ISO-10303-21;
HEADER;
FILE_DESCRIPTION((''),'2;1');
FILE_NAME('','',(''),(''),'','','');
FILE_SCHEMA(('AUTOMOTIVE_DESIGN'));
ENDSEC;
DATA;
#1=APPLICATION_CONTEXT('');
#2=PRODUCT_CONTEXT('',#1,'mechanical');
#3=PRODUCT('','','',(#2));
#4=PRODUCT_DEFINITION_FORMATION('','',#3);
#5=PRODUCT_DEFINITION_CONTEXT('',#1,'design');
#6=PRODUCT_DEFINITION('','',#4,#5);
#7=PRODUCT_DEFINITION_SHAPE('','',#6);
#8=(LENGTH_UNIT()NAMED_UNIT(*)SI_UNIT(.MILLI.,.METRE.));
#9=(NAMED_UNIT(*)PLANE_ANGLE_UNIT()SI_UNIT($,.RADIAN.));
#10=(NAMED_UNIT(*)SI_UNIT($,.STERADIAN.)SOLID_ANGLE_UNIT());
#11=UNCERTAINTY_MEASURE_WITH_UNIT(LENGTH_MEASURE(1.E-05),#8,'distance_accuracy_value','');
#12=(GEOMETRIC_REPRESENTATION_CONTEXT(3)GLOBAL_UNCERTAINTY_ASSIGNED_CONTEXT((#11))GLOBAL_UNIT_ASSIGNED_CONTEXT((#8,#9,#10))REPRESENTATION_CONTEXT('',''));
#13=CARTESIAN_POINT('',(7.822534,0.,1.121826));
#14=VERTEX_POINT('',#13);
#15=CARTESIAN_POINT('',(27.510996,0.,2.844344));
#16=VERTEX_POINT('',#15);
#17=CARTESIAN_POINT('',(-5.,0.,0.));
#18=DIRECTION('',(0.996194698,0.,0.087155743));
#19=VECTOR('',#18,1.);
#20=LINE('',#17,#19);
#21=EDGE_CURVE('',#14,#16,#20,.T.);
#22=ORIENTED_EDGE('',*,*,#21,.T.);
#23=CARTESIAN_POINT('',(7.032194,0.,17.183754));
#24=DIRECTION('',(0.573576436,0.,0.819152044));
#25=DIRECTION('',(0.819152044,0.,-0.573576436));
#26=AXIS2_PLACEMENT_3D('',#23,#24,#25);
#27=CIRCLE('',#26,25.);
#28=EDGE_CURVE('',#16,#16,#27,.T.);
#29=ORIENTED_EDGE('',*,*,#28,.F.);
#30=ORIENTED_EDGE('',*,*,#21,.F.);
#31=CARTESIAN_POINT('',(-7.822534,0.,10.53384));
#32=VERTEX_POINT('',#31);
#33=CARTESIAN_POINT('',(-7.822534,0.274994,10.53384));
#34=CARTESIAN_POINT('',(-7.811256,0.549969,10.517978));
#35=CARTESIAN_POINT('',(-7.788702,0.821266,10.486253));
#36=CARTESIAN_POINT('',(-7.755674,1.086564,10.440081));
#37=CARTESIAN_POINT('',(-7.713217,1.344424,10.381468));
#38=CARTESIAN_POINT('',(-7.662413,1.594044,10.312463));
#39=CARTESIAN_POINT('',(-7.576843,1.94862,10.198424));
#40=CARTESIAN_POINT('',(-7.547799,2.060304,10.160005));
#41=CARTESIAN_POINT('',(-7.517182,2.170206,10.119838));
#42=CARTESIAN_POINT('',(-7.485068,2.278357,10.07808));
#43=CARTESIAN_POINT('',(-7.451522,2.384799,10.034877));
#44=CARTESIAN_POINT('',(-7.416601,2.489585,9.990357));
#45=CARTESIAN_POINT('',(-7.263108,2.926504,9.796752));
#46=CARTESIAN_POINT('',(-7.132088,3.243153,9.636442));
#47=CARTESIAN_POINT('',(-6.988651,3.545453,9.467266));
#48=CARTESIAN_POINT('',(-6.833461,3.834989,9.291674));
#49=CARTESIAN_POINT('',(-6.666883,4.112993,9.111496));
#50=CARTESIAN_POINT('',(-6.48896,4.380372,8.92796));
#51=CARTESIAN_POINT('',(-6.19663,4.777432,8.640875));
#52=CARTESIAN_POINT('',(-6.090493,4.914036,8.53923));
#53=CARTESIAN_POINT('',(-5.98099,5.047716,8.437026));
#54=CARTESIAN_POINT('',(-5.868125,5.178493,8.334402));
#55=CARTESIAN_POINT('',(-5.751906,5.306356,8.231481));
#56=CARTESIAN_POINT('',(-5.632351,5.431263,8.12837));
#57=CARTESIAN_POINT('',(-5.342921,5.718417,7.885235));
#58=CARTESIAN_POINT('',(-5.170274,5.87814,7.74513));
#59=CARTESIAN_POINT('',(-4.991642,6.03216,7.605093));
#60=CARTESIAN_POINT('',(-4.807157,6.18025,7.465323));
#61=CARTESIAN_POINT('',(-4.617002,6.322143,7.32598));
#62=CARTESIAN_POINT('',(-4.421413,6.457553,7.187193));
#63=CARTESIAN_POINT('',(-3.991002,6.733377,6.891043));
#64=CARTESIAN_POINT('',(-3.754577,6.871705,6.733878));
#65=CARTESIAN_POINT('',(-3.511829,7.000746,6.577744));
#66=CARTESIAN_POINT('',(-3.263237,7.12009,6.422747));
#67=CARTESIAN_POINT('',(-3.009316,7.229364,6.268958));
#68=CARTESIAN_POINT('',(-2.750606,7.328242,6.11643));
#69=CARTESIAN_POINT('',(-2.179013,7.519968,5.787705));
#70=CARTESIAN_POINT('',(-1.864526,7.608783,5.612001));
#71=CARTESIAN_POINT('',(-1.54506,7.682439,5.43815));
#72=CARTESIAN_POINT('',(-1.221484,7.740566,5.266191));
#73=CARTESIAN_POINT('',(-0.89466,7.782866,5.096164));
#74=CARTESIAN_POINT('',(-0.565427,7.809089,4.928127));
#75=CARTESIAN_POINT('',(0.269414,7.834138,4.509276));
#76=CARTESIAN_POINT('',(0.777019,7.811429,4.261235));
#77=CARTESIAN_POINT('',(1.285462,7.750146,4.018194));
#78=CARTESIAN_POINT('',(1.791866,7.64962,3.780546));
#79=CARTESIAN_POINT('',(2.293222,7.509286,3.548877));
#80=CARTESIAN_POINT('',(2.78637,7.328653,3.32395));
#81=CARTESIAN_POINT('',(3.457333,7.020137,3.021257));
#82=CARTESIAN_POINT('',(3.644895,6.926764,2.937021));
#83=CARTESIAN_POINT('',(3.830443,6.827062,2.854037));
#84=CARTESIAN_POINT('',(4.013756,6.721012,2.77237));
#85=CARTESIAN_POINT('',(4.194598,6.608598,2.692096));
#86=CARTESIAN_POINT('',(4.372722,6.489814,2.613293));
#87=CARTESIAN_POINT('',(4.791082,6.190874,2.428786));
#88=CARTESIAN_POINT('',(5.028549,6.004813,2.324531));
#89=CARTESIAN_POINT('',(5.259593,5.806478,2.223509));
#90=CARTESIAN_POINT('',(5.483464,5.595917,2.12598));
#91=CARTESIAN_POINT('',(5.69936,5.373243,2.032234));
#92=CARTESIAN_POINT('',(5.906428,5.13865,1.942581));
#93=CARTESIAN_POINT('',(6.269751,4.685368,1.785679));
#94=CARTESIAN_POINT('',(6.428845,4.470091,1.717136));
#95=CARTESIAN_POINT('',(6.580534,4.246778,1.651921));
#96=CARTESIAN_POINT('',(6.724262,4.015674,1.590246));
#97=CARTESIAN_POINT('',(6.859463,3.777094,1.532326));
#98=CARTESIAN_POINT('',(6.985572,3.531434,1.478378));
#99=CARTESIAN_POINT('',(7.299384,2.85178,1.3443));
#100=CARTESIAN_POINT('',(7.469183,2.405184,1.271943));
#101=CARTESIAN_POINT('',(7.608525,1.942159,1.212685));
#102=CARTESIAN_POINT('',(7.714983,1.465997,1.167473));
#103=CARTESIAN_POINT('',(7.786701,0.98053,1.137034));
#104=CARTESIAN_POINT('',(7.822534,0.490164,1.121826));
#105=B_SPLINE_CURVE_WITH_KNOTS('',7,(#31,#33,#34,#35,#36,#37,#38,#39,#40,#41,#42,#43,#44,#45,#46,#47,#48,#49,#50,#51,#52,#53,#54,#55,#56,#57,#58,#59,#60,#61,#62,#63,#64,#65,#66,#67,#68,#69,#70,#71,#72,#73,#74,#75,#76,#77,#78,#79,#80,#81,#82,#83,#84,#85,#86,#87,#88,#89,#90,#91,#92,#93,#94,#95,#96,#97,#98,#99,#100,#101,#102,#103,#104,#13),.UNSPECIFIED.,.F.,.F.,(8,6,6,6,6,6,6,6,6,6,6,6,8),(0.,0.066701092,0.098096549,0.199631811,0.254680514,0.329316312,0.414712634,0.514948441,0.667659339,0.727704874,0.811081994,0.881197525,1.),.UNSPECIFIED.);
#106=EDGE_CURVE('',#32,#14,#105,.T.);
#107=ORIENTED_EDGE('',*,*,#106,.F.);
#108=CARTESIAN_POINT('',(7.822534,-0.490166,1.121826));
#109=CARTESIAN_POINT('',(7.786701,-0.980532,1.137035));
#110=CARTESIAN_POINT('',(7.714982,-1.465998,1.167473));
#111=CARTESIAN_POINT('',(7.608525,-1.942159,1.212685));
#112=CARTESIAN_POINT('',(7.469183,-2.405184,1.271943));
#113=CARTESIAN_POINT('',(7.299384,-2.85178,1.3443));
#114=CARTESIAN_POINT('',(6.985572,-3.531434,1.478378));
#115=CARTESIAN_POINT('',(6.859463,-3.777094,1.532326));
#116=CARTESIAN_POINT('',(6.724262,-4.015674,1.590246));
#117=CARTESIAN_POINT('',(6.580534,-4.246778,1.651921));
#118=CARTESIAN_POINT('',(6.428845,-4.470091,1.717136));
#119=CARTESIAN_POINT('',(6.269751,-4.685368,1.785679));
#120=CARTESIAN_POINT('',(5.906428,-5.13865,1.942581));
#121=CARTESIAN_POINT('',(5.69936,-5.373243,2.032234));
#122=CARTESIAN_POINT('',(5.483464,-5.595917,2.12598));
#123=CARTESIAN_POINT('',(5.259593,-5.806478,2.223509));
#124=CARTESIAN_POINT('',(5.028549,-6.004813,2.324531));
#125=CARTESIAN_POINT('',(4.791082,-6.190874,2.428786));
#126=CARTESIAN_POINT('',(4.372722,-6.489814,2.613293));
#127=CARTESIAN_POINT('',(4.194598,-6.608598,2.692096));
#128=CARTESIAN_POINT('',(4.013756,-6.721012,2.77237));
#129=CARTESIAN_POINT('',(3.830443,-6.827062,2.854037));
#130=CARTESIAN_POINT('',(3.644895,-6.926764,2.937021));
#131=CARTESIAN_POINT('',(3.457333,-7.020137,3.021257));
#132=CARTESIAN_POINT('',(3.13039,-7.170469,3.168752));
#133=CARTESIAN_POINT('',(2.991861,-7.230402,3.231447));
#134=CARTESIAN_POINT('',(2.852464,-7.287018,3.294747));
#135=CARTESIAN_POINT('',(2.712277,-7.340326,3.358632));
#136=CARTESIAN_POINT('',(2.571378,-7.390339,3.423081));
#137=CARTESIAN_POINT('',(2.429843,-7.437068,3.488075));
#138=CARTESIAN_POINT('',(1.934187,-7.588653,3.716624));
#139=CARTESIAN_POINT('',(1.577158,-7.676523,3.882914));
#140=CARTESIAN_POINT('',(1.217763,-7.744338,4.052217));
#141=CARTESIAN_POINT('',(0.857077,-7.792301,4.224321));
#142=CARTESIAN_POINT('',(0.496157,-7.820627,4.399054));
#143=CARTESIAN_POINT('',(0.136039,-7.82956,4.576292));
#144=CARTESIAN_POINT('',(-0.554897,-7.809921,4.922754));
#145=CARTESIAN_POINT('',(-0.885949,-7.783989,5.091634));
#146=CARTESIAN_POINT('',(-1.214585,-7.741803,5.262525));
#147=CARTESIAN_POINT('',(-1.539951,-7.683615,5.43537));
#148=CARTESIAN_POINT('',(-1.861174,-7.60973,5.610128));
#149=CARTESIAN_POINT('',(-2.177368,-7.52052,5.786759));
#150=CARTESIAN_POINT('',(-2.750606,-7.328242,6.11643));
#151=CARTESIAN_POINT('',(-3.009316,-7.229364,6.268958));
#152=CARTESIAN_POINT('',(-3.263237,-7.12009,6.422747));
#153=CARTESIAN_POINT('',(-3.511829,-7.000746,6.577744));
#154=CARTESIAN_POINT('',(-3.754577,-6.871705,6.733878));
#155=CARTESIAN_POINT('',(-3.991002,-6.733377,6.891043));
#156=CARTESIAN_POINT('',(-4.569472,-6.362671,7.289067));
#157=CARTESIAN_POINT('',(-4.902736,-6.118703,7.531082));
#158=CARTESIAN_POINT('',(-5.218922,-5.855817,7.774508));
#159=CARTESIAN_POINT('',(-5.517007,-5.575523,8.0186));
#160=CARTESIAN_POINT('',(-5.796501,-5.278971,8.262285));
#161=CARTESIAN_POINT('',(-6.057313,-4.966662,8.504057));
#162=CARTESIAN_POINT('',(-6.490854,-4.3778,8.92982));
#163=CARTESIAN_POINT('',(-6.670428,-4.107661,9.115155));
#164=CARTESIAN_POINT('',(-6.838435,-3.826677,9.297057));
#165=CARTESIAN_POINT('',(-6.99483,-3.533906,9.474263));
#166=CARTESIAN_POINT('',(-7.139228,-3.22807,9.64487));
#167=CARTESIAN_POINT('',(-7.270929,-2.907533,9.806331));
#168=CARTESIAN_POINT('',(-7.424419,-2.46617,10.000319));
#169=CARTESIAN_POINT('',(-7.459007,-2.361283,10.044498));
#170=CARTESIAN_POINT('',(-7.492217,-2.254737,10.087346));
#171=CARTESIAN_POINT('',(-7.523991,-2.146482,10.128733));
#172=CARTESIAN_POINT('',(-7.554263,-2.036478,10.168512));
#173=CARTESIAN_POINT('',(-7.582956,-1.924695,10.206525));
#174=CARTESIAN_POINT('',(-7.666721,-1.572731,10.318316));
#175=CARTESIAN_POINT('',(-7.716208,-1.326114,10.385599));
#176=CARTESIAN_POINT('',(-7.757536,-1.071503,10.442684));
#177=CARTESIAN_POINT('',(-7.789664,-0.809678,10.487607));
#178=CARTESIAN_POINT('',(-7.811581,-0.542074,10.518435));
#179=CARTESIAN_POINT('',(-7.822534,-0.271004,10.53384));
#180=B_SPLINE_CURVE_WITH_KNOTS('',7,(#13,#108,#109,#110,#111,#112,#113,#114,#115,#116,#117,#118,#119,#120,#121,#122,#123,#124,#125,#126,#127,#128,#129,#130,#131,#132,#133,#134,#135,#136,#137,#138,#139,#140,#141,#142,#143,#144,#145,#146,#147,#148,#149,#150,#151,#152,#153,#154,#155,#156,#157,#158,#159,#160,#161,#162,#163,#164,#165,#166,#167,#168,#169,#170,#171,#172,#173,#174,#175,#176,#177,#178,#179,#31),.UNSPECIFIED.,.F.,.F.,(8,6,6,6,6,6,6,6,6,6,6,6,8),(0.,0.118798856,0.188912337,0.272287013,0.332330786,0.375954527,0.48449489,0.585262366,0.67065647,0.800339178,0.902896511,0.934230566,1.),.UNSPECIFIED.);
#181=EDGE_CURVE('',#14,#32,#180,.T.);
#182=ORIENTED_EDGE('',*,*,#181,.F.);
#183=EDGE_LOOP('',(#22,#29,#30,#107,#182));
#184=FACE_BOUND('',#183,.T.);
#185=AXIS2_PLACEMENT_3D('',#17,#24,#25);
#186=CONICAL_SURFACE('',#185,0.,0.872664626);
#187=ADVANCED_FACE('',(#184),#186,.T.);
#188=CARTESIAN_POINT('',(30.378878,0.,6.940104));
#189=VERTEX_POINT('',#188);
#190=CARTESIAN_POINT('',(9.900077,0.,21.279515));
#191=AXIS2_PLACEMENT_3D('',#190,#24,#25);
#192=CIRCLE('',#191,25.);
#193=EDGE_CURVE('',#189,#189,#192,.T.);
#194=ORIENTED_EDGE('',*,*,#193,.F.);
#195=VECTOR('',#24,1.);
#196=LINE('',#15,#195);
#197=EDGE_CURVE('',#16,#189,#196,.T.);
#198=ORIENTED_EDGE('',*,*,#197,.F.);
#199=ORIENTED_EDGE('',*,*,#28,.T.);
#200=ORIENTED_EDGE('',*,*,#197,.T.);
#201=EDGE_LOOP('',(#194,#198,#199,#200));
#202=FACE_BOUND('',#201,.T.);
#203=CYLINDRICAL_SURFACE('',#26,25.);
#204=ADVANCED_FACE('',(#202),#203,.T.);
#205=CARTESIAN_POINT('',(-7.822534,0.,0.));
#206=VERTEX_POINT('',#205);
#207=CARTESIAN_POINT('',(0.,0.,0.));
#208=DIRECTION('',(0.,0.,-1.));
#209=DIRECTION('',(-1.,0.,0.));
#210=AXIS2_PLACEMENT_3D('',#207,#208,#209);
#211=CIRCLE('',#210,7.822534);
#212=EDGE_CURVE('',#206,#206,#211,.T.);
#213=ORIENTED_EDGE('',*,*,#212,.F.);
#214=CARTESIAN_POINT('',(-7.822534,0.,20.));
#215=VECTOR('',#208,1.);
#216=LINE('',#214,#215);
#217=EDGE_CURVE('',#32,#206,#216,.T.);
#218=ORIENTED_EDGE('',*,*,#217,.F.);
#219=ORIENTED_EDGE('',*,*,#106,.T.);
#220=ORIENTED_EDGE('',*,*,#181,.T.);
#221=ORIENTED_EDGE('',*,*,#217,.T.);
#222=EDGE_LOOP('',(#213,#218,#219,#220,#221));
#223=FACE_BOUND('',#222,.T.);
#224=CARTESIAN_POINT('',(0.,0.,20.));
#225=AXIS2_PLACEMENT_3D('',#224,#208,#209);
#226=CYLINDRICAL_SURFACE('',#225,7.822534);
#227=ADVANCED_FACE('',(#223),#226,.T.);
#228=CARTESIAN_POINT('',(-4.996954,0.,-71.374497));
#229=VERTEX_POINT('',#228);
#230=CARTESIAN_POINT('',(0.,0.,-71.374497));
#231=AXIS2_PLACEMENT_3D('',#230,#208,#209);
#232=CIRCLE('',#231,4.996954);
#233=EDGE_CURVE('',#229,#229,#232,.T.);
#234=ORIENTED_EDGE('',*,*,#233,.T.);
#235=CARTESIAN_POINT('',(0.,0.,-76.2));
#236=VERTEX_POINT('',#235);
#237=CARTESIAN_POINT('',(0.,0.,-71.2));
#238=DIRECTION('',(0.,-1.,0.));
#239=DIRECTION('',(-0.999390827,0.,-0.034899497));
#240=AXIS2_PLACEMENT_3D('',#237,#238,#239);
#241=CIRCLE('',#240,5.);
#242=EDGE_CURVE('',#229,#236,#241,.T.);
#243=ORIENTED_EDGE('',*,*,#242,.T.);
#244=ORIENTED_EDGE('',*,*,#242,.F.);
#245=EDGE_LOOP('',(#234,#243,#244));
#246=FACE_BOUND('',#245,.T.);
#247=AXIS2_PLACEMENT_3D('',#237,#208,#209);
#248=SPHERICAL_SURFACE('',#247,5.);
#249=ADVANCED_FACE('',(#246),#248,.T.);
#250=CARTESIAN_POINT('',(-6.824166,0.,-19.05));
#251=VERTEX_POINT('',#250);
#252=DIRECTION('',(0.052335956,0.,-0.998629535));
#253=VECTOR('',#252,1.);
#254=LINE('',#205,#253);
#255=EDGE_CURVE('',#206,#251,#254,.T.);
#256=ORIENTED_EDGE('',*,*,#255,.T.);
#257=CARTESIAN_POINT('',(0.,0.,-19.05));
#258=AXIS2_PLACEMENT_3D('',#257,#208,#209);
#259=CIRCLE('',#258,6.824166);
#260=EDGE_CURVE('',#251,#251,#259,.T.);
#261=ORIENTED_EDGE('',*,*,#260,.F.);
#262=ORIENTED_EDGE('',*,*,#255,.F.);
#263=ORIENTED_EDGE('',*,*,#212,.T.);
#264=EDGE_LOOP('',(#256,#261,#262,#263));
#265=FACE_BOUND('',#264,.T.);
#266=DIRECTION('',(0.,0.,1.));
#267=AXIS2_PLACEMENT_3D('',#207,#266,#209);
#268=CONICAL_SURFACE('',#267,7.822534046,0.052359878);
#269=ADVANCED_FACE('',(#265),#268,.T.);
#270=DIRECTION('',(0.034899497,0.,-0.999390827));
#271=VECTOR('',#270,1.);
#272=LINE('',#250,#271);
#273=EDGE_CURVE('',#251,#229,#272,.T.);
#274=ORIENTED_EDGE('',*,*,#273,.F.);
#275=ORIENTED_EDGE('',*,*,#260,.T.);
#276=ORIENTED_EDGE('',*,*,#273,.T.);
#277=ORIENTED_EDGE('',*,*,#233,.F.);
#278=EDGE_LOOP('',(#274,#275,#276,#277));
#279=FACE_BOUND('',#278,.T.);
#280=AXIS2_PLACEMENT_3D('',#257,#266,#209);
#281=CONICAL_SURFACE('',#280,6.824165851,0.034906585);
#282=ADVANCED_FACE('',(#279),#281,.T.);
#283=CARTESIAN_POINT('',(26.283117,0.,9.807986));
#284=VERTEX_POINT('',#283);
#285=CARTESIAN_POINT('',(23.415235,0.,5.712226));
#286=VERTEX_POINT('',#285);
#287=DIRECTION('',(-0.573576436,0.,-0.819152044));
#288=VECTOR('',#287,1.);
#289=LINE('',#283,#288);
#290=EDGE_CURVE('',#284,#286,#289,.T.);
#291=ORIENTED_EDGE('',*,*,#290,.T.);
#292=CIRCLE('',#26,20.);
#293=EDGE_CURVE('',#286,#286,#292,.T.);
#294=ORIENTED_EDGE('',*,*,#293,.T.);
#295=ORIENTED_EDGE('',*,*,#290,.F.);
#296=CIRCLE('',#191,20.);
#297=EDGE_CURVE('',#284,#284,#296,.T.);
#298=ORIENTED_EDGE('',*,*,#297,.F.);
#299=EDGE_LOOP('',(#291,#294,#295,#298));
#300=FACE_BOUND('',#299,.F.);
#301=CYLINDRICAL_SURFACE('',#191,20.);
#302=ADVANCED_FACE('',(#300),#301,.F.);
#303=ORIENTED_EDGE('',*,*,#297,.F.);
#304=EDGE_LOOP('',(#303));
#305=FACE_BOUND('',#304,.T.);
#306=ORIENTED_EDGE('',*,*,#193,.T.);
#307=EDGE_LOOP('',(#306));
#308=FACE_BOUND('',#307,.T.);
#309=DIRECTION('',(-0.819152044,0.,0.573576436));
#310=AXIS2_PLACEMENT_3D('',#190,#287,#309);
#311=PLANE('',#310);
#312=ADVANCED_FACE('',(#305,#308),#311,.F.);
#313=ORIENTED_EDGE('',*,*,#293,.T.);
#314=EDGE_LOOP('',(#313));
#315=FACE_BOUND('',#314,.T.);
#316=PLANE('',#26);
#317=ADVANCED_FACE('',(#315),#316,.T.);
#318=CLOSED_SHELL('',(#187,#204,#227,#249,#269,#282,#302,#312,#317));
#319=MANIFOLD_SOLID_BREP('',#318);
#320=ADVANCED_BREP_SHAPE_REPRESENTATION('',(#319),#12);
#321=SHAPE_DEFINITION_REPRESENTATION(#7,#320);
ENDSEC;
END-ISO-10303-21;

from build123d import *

# Parameters (mm, degrees)
F5_R     = 20
F6_DEPTH = 5


with BuildPart() as f1:
    # F0 (on Front) → F1 (revolve)
    with BuildSketch(Plane.XZ):
        with BuildLine():
            Line((-6.8241658505, -19.05), (-4.9969541351, -71.3744974835))
            ThreePointArc((-4.9969541351, -71.3744974835), (-3.4732918523, -74.7966990017), (0, -76.2))
            Line((0, -76.2), (0, 0))
            Line((0, 0), (0, 20))
            Line((0, 20), (-7.8225340458, 20))
            Line((-7.8225340458, 20), (-7.8225340458, 0))
            Line((-7.8225340458, 0), (-6.8241658505, -19.05))
        make_face()
    revolve(axis=Axis((0, 0, 4.3368881511), (0, 0, -1)))

    # F3 (on Front) → F4 (revolve)
    with BuildSketch(Plane.XZ):
        Polygon((9.9000765866, 21.2795146775), (-5, 0), (27.5109955121, 2.8443435472), (30.3788776938, 6.9401037687), align=None)
    revolve(axis=Axis((2.4500382933, 0, 10.6397573387), (0.5735764364, 0, 0.8191520443)))

    # F5 (on face) → F6 (cut)
    with BuildSketch(Plane(origin=(13.2551269449, 0, 18.9302831255), x_dir=(0.8191520443, 0, -0.5735764364), z_dir=(0.5735764364, 0, 0.8191520443))):
        with Locations((-4.0957602214, 0)):
            Circle(F5_R)
    extrude(amount=-F6_DEPTH, mode=Mode.SUBTRACT)


solid = f1.part
